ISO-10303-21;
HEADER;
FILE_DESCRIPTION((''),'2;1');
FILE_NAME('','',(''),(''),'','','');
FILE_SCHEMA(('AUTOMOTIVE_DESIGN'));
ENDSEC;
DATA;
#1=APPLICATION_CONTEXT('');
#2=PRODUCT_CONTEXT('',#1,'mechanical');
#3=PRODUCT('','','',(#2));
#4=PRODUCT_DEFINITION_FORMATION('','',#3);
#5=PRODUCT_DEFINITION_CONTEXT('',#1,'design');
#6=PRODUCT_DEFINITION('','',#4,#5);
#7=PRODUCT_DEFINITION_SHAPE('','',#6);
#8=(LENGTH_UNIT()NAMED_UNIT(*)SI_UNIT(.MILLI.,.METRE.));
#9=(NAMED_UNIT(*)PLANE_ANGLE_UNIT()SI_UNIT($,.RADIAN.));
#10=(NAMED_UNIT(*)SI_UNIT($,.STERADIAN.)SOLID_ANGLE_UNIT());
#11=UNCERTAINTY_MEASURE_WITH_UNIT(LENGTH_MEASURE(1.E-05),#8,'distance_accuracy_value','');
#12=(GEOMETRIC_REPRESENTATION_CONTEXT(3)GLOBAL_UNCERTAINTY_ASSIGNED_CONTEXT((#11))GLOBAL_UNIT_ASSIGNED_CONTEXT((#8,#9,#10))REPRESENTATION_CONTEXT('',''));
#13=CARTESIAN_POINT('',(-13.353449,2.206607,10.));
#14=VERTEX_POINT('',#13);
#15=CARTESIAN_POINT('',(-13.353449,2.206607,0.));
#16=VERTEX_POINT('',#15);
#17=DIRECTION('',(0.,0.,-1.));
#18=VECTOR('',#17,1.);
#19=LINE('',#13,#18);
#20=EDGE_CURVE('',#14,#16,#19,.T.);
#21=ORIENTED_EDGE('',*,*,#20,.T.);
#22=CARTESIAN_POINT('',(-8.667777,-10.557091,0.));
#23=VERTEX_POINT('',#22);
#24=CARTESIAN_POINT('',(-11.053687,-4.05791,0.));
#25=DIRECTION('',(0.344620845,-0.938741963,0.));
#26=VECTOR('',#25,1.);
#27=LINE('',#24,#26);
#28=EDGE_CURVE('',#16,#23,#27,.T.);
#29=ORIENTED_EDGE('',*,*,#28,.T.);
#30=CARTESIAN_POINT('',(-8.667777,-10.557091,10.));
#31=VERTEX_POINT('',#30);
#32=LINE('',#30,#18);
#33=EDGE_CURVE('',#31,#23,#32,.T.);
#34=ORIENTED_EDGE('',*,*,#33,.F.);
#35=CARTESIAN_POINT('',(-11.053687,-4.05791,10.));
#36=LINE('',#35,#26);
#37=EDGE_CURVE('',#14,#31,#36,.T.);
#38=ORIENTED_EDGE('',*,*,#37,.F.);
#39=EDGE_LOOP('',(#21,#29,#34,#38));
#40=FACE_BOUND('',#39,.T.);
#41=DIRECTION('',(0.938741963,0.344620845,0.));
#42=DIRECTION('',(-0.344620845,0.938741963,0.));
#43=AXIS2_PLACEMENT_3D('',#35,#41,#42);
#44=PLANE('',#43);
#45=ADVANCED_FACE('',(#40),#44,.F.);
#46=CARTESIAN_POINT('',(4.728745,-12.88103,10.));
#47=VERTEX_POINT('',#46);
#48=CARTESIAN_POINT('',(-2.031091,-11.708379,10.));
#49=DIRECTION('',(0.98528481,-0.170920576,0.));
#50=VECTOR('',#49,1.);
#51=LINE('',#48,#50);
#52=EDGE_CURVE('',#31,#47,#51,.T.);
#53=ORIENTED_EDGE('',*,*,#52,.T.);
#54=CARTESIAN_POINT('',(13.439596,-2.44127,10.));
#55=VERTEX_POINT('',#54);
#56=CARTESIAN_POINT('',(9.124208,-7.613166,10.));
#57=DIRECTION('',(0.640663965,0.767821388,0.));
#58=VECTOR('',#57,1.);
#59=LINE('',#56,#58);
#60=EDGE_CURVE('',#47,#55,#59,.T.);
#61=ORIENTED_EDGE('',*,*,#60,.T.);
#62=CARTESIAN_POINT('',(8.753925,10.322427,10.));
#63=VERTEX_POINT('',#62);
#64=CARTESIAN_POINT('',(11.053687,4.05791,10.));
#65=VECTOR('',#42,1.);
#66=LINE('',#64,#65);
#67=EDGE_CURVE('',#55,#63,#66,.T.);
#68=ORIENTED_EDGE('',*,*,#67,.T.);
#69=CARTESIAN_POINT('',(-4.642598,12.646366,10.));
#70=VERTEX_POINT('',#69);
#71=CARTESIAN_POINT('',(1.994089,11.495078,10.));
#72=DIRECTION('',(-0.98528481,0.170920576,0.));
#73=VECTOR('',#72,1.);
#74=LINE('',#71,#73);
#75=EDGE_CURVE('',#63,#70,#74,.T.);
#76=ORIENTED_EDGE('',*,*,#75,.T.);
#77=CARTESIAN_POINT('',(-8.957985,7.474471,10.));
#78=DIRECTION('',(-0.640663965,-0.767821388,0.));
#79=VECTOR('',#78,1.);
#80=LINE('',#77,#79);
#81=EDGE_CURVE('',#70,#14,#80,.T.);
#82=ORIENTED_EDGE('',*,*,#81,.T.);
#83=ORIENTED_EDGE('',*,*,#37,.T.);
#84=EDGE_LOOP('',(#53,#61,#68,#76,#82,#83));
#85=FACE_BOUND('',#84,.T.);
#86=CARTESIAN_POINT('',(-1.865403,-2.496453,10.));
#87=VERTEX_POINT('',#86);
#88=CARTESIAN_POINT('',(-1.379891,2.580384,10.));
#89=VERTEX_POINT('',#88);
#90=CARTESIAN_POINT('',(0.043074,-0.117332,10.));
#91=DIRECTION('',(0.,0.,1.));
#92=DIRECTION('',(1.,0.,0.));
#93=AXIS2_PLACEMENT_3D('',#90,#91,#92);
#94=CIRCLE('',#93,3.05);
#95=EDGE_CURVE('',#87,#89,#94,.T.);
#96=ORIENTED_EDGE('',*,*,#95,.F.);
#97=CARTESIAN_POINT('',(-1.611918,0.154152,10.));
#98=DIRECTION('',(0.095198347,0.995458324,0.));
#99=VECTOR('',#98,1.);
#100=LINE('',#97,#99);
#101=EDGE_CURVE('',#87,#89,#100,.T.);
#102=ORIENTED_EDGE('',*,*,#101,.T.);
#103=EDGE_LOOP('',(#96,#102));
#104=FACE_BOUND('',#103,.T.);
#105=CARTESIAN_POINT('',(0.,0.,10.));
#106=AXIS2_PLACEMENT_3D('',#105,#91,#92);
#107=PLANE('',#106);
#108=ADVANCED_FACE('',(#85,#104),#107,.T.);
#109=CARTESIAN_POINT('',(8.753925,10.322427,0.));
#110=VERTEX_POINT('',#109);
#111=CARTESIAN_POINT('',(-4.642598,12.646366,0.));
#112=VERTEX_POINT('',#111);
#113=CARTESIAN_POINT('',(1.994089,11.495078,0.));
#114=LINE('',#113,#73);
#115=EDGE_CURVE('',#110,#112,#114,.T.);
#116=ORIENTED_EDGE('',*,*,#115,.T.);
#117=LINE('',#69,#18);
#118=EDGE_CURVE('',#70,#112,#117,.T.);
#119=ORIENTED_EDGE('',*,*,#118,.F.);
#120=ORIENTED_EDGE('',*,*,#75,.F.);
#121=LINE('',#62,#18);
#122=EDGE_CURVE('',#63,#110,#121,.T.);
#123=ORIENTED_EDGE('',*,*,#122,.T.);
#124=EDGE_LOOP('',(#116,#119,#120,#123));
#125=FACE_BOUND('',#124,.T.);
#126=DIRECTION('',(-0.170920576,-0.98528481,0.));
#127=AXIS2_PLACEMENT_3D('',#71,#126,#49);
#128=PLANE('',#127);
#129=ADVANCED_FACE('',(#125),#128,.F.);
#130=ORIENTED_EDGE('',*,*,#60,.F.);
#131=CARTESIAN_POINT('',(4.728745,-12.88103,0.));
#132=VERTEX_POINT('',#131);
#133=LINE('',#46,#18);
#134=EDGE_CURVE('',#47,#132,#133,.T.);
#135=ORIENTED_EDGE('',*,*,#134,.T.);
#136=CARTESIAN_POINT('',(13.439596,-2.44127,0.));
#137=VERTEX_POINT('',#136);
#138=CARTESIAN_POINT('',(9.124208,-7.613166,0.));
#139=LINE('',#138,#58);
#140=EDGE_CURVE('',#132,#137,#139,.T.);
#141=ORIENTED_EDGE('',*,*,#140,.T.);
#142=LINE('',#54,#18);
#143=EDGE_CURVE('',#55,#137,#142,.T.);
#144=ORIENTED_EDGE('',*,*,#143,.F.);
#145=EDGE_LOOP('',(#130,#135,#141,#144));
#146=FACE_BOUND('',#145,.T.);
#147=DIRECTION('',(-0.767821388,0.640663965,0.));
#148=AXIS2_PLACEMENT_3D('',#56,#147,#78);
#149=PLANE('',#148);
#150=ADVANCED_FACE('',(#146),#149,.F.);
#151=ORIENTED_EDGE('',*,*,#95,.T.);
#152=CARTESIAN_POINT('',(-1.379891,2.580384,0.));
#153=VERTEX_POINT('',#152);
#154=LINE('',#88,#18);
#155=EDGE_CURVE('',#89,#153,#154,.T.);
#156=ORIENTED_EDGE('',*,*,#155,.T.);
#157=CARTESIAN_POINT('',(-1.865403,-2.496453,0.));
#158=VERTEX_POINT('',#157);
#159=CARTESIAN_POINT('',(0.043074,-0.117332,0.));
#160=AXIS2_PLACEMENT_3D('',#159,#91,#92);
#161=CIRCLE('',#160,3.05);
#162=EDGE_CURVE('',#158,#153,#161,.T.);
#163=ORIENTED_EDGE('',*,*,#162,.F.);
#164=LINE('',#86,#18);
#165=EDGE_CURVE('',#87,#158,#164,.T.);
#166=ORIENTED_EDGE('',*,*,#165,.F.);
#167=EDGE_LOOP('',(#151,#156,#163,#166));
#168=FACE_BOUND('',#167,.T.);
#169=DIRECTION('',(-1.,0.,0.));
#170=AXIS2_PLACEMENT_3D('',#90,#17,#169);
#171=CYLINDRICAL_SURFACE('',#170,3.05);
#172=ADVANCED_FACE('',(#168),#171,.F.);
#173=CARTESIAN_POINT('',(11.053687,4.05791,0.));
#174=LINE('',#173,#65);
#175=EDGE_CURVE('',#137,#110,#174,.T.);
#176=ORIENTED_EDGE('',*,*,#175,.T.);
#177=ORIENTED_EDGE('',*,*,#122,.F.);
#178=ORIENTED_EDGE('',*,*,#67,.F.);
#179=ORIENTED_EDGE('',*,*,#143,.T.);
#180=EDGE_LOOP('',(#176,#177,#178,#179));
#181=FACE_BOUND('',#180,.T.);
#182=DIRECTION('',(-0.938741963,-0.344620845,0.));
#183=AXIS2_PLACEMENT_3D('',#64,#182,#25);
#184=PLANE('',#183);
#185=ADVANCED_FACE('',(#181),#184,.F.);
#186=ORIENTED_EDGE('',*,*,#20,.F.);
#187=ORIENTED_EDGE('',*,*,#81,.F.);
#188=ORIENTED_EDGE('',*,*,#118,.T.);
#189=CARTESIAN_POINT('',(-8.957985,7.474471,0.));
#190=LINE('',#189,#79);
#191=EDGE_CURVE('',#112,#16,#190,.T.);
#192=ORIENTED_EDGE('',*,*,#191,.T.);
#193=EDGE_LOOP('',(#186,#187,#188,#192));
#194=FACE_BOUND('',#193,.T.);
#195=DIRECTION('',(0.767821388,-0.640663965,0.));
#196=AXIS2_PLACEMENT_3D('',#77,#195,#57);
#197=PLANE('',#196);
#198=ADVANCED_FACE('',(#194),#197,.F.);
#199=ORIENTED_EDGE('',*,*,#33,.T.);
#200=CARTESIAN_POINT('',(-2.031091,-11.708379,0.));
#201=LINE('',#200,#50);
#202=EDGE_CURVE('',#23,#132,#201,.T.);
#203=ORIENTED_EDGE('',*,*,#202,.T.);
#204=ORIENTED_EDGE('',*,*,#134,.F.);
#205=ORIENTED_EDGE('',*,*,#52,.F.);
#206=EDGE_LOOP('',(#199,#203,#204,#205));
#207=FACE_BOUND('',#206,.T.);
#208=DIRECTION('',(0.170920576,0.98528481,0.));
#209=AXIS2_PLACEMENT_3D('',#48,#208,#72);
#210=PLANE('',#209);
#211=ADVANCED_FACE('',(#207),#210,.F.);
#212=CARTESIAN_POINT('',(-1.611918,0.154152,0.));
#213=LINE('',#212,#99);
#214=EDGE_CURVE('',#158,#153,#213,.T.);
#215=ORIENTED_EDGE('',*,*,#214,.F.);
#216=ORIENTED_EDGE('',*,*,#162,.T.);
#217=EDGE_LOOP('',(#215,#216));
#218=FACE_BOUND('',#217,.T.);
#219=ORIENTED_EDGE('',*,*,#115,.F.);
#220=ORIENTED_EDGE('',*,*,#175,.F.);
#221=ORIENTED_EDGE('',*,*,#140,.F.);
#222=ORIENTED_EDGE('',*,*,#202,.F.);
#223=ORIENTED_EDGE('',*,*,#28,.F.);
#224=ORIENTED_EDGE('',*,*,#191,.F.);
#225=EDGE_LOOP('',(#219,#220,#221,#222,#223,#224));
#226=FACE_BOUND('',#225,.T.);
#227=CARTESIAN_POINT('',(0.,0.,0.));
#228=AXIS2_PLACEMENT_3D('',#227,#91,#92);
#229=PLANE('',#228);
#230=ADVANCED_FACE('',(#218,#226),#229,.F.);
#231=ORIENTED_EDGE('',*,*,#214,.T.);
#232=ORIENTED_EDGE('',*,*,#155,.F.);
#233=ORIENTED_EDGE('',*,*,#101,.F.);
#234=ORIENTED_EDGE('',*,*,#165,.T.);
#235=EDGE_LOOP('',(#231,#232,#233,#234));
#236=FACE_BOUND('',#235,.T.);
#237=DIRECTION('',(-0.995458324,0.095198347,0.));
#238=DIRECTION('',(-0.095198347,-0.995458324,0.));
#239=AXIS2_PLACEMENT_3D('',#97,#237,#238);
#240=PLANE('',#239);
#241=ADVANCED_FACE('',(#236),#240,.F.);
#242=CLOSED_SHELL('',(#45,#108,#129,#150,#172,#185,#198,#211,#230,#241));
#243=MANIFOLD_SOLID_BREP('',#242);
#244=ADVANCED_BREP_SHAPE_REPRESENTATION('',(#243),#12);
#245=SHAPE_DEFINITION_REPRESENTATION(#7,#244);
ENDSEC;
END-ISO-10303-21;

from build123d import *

# Parameters (mm, degrees)
BOSS_EXTRUDE2_DEPTH = 10


with BuildPart() as part:
    # Sketch1 → Boss-Extrude2 (new body)
    with BuildSketch(Plane.XY):
        Polygon((13.439595942, -2.441270434), (8.753924566, 10.322427453), (-4.642597738, 12.646365952), (-13.353448667, 2.206606563), (-8.667777292, -10.557091324), (4.728745013, -12.881029823), align=None)
        with BuildLine():
            Line((-1.865402523, -2.496453358), (-1.379890953, 2.580384094))
            ThreePointArc((-1.379890953, 2.580384094), (3.079221525, -0.407686894), (-1.865402523, -2.496453358))
        make_face(mode=Mode.SUBTRACT)
    extrude(amount=BOSS_EXTRUDE2_DEPTH)


solid = part.part
